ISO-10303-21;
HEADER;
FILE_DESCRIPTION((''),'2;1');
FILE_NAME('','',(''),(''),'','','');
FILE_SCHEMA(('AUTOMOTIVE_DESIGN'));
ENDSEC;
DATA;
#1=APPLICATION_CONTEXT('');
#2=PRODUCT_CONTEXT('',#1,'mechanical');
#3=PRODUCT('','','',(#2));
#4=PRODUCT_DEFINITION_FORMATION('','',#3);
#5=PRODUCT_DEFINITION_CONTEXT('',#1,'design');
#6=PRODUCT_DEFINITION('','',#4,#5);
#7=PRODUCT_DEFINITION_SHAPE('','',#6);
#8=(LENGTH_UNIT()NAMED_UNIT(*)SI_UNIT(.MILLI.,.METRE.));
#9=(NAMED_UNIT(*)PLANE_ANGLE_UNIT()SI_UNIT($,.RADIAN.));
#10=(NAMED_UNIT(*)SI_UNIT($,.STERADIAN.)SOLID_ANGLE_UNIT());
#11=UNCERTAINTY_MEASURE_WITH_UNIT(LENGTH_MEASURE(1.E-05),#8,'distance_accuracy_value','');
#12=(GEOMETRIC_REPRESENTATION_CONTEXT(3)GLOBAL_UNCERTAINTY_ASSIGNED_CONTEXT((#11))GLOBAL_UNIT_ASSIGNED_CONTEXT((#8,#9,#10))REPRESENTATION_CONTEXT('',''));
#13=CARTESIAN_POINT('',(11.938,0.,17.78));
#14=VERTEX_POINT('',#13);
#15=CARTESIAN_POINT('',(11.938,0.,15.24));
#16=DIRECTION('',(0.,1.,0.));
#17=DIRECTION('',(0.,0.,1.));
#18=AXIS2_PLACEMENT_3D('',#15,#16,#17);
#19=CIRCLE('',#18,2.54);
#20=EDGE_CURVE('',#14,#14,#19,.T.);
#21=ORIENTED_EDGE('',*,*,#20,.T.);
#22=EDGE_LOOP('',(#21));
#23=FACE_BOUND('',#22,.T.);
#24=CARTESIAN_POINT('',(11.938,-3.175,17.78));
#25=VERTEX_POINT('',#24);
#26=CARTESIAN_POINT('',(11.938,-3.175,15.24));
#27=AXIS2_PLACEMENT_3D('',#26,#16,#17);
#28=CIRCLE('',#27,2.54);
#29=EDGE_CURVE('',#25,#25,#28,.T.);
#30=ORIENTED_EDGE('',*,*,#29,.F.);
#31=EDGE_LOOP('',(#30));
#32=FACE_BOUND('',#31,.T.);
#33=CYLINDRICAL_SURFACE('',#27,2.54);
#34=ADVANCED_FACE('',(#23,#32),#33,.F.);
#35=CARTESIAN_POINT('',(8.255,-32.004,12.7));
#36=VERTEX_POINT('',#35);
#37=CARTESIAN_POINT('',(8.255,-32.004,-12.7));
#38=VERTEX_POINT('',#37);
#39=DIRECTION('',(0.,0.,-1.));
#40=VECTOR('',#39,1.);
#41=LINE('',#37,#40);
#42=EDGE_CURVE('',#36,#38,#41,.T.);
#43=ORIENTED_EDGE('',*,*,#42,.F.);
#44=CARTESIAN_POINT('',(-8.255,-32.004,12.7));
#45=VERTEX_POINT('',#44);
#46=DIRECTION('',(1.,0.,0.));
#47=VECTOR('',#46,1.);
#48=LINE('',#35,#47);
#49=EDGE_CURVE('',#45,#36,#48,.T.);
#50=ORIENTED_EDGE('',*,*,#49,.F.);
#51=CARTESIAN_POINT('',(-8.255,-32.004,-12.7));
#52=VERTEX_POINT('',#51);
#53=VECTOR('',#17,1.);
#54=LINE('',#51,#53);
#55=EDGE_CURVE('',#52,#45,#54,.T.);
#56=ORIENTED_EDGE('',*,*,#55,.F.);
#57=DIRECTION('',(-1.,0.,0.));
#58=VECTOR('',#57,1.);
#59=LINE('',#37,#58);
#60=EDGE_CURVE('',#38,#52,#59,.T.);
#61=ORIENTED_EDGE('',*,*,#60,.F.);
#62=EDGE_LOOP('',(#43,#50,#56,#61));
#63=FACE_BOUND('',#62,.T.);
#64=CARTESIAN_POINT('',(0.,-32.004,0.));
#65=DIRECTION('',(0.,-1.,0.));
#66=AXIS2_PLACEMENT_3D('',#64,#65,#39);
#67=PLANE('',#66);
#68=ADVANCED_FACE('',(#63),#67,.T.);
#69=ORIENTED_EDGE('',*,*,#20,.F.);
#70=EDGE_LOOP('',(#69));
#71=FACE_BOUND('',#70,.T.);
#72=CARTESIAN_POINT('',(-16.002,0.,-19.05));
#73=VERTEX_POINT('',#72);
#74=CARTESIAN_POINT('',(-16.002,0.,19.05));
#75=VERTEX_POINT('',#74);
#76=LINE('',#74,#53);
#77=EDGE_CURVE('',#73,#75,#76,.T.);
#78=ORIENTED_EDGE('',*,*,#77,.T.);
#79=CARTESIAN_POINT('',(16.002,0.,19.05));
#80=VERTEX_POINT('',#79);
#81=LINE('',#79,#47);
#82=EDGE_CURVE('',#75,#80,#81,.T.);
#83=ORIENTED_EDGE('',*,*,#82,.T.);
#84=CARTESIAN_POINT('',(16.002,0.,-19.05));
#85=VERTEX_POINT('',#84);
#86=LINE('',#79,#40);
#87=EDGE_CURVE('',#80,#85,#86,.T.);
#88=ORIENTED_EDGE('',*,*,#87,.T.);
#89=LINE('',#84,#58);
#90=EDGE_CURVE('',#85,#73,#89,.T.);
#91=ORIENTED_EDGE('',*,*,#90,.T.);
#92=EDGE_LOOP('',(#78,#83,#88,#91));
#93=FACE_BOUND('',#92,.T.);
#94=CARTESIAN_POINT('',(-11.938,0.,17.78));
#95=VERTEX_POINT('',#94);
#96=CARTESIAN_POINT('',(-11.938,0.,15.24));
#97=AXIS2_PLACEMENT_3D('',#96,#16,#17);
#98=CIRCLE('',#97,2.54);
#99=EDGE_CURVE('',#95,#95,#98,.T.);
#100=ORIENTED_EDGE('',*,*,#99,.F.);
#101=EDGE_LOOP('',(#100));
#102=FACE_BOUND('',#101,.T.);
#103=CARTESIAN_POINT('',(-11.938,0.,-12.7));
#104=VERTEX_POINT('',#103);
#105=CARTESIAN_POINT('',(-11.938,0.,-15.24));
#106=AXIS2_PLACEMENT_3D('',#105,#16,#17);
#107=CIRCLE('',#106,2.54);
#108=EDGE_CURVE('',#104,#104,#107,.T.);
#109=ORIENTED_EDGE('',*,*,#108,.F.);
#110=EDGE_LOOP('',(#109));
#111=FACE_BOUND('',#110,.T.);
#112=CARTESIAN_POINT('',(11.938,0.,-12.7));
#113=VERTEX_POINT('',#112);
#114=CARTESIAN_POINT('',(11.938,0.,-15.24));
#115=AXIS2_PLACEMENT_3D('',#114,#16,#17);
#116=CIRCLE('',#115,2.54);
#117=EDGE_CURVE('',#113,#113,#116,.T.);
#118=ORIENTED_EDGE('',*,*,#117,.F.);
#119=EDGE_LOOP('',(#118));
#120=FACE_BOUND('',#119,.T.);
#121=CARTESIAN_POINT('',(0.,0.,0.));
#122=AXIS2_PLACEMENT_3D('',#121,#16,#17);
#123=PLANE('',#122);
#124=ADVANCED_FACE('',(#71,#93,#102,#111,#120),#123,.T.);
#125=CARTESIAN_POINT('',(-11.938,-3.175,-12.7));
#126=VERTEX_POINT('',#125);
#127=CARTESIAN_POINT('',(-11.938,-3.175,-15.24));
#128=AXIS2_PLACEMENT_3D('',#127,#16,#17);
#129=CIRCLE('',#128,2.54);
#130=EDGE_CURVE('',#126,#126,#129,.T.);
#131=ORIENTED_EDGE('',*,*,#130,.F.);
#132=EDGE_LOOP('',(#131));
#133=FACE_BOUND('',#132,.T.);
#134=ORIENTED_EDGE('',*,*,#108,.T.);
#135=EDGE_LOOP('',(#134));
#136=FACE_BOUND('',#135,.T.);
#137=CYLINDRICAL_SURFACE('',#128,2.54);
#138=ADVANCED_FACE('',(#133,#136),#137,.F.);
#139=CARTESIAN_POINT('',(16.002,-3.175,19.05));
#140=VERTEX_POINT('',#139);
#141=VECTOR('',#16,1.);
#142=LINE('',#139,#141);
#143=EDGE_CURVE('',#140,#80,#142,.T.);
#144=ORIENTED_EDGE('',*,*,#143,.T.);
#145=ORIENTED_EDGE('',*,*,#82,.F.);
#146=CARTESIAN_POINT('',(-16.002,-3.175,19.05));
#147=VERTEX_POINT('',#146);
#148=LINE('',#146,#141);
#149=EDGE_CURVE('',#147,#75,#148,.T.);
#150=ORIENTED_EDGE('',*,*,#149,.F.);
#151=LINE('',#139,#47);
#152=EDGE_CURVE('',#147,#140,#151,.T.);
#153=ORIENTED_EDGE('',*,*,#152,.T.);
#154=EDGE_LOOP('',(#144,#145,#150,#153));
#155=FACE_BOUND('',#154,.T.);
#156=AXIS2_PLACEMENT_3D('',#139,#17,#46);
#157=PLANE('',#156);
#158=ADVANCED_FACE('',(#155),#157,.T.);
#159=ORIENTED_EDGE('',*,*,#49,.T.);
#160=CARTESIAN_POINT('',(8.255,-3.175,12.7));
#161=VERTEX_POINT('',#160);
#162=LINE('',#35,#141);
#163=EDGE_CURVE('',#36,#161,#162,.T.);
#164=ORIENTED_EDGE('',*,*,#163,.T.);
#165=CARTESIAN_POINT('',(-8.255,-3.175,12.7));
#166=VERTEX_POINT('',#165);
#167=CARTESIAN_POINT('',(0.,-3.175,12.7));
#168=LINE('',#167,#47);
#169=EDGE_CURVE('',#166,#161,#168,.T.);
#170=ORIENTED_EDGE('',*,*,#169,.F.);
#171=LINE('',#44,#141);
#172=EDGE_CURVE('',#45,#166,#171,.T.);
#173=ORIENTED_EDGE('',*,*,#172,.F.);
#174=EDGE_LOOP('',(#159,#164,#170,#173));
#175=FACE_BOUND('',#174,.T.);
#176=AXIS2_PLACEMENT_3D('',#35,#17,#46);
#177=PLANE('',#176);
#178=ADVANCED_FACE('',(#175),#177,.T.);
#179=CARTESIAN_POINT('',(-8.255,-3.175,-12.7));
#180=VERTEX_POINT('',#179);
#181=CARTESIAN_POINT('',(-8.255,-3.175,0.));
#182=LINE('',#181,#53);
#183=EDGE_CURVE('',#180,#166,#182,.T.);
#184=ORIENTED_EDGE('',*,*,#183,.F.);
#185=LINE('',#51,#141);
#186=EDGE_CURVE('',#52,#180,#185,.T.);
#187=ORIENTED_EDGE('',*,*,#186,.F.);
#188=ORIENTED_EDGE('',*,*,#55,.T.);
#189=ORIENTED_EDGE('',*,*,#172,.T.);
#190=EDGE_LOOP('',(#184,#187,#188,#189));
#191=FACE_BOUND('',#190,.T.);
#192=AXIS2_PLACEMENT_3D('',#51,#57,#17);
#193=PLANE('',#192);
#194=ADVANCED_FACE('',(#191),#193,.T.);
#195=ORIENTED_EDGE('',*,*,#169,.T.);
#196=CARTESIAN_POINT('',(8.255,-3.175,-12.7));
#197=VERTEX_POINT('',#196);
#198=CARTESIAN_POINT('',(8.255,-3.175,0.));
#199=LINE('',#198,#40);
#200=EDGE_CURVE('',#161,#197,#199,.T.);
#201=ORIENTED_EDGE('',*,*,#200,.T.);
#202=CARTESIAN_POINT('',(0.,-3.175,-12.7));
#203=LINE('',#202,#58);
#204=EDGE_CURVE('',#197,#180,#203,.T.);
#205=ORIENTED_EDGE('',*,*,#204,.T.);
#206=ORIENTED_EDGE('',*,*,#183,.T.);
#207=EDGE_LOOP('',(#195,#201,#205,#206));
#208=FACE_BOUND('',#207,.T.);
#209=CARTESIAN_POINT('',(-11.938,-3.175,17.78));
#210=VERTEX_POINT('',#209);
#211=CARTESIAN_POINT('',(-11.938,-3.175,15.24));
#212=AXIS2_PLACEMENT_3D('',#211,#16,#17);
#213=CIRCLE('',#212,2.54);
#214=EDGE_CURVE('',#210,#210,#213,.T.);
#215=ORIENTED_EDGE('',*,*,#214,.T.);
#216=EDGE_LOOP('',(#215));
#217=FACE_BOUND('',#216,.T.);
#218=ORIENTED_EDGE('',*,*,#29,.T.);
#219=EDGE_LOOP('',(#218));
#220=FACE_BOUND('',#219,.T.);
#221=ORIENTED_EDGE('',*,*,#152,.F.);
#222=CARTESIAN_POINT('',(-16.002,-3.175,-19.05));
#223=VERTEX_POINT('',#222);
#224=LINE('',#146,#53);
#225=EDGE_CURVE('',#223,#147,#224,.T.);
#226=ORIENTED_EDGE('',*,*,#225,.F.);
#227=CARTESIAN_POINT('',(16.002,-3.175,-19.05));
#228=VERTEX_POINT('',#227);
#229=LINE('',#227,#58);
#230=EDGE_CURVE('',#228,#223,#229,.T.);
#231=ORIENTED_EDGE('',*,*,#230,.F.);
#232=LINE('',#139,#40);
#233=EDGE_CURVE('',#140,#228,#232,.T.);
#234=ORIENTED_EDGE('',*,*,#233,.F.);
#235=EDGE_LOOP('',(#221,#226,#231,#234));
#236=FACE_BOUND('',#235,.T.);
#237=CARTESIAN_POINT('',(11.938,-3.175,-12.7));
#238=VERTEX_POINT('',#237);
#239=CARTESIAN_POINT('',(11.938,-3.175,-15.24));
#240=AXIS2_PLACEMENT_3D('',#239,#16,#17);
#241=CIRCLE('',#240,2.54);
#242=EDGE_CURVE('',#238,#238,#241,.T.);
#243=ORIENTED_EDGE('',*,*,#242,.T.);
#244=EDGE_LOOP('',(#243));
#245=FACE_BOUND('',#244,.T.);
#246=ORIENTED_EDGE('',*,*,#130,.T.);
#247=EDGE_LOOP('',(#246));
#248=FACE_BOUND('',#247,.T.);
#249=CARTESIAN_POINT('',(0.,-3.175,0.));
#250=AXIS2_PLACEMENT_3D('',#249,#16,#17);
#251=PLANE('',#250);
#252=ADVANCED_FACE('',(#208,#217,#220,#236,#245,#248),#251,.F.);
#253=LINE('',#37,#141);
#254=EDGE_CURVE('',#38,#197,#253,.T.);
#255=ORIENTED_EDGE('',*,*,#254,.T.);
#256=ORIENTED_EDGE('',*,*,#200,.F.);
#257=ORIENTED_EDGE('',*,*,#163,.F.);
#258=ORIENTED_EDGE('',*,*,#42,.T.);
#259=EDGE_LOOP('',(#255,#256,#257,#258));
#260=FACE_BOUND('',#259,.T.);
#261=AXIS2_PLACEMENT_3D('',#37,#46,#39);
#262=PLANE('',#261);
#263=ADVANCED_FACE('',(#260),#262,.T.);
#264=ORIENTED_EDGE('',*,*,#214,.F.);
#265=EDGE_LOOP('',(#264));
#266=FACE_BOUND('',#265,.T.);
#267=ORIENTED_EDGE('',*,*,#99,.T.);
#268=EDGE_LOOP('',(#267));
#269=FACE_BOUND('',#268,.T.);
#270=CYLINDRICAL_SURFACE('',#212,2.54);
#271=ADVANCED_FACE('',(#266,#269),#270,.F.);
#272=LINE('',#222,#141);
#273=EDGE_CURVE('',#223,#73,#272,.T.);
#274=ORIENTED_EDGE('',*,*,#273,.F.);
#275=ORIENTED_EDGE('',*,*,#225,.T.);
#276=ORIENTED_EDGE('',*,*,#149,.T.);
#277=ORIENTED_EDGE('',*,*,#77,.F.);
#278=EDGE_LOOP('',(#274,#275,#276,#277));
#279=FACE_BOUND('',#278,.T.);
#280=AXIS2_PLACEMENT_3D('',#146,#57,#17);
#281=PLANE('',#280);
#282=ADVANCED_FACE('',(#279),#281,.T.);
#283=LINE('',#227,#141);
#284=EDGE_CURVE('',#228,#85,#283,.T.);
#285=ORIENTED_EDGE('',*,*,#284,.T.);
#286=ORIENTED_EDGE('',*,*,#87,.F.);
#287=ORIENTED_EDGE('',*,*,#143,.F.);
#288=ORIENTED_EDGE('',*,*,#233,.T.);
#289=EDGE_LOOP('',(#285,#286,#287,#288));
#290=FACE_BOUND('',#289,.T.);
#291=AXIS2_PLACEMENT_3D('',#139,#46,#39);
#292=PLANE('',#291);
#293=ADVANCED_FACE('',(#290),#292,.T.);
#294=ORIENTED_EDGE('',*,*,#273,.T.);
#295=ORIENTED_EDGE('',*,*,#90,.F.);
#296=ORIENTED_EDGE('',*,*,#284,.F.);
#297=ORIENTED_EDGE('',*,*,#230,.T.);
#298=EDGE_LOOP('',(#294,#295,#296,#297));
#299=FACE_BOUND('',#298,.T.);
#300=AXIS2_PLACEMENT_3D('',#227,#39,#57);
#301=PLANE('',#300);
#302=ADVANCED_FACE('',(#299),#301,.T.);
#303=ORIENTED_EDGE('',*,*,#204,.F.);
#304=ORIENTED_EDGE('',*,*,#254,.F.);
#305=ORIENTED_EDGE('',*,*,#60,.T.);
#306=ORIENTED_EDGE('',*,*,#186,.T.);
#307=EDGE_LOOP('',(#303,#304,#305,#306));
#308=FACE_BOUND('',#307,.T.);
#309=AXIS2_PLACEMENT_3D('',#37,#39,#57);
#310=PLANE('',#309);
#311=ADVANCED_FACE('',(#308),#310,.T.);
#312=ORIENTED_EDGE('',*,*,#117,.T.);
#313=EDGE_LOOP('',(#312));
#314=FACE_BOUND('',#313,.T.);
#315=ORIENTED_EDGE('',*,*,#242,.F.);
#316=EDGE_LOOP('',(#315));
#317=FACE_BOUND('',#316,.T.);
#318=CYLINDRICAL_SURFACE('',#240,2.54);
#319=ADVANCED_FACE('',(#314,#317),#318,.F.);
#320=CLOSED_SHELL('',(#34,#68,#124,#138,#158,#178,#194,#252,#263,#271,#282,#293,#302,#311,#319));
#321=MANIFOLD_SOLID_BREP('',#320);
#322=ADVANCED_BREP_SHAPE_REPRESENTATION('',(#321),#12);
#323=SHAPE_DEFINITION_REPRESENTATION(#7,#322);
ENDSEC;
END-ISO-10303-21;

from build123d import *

# Parameters (mm, degrees)
SKETCH3_W           = 32.004
SKETCH3_H           = 38.1
BOSS_EXTRUDE1_DEPTH = 3.175
SKETCH4_R           = 2.54
SCREW_HOLES_DEPTH   = 26.080811969
SKETCH5_W           = 16.51
SKETCH5_H           = 25.4
WHEEL_APPROX_DEPTH  = 32.004


with BuildPart() as part:
    # Sketch3 → Boss-Extrude1 (new body)
    with BuildSketch(Plane(origin=(0, 0, 0), x_dir=(1, 0, 0), z_dir=(0, 1, 0))):
        Rectangle(SKETCH3_W, SKETCH3_H)
    extrude(amount=-BOSS_EXTRUDE1_DEPTH)

    # Sketch4 → Screw Holes (cut, through all)
    with BuildSketch(Plane(origin=(0, 0, 0), x_dir=(1, 0, 0), z_dir=(0, 1, 0))):
        with Locations(Location((11.938, 15.24, 0), (0, 0, 270))):
            Circle(SKETCH4_R)
        with Locations(Location((-11.938, 15.24, 0), (0, 0, 270))):
            Circle(SKETCH4_R)
        with Locations(Location((-11.938, -15.24, 0), (0, 0, 270))):
            Circle(SKETCH4_R)
        with Locations(Location((11.938, -15.24, 0), (0, 0, 270))):
            Circle(SKETCH4_R)
    extrude(amount=-SCREW_HOLES_DEPTH, mode=Mode.SUBTRACT)

    # Sketch5 → Wheel Approx (add)
    with BuildSketch(Plane(origin=(0, 0, 0), x_dir=(1, 0, 0), z_dir=(0, 1, 0))):
        Rectangle(SKETCH5_W, SKETCH5_H)
    extrude(amount=-WHEEL_APPROX_DEPTH)


solid = part.part
